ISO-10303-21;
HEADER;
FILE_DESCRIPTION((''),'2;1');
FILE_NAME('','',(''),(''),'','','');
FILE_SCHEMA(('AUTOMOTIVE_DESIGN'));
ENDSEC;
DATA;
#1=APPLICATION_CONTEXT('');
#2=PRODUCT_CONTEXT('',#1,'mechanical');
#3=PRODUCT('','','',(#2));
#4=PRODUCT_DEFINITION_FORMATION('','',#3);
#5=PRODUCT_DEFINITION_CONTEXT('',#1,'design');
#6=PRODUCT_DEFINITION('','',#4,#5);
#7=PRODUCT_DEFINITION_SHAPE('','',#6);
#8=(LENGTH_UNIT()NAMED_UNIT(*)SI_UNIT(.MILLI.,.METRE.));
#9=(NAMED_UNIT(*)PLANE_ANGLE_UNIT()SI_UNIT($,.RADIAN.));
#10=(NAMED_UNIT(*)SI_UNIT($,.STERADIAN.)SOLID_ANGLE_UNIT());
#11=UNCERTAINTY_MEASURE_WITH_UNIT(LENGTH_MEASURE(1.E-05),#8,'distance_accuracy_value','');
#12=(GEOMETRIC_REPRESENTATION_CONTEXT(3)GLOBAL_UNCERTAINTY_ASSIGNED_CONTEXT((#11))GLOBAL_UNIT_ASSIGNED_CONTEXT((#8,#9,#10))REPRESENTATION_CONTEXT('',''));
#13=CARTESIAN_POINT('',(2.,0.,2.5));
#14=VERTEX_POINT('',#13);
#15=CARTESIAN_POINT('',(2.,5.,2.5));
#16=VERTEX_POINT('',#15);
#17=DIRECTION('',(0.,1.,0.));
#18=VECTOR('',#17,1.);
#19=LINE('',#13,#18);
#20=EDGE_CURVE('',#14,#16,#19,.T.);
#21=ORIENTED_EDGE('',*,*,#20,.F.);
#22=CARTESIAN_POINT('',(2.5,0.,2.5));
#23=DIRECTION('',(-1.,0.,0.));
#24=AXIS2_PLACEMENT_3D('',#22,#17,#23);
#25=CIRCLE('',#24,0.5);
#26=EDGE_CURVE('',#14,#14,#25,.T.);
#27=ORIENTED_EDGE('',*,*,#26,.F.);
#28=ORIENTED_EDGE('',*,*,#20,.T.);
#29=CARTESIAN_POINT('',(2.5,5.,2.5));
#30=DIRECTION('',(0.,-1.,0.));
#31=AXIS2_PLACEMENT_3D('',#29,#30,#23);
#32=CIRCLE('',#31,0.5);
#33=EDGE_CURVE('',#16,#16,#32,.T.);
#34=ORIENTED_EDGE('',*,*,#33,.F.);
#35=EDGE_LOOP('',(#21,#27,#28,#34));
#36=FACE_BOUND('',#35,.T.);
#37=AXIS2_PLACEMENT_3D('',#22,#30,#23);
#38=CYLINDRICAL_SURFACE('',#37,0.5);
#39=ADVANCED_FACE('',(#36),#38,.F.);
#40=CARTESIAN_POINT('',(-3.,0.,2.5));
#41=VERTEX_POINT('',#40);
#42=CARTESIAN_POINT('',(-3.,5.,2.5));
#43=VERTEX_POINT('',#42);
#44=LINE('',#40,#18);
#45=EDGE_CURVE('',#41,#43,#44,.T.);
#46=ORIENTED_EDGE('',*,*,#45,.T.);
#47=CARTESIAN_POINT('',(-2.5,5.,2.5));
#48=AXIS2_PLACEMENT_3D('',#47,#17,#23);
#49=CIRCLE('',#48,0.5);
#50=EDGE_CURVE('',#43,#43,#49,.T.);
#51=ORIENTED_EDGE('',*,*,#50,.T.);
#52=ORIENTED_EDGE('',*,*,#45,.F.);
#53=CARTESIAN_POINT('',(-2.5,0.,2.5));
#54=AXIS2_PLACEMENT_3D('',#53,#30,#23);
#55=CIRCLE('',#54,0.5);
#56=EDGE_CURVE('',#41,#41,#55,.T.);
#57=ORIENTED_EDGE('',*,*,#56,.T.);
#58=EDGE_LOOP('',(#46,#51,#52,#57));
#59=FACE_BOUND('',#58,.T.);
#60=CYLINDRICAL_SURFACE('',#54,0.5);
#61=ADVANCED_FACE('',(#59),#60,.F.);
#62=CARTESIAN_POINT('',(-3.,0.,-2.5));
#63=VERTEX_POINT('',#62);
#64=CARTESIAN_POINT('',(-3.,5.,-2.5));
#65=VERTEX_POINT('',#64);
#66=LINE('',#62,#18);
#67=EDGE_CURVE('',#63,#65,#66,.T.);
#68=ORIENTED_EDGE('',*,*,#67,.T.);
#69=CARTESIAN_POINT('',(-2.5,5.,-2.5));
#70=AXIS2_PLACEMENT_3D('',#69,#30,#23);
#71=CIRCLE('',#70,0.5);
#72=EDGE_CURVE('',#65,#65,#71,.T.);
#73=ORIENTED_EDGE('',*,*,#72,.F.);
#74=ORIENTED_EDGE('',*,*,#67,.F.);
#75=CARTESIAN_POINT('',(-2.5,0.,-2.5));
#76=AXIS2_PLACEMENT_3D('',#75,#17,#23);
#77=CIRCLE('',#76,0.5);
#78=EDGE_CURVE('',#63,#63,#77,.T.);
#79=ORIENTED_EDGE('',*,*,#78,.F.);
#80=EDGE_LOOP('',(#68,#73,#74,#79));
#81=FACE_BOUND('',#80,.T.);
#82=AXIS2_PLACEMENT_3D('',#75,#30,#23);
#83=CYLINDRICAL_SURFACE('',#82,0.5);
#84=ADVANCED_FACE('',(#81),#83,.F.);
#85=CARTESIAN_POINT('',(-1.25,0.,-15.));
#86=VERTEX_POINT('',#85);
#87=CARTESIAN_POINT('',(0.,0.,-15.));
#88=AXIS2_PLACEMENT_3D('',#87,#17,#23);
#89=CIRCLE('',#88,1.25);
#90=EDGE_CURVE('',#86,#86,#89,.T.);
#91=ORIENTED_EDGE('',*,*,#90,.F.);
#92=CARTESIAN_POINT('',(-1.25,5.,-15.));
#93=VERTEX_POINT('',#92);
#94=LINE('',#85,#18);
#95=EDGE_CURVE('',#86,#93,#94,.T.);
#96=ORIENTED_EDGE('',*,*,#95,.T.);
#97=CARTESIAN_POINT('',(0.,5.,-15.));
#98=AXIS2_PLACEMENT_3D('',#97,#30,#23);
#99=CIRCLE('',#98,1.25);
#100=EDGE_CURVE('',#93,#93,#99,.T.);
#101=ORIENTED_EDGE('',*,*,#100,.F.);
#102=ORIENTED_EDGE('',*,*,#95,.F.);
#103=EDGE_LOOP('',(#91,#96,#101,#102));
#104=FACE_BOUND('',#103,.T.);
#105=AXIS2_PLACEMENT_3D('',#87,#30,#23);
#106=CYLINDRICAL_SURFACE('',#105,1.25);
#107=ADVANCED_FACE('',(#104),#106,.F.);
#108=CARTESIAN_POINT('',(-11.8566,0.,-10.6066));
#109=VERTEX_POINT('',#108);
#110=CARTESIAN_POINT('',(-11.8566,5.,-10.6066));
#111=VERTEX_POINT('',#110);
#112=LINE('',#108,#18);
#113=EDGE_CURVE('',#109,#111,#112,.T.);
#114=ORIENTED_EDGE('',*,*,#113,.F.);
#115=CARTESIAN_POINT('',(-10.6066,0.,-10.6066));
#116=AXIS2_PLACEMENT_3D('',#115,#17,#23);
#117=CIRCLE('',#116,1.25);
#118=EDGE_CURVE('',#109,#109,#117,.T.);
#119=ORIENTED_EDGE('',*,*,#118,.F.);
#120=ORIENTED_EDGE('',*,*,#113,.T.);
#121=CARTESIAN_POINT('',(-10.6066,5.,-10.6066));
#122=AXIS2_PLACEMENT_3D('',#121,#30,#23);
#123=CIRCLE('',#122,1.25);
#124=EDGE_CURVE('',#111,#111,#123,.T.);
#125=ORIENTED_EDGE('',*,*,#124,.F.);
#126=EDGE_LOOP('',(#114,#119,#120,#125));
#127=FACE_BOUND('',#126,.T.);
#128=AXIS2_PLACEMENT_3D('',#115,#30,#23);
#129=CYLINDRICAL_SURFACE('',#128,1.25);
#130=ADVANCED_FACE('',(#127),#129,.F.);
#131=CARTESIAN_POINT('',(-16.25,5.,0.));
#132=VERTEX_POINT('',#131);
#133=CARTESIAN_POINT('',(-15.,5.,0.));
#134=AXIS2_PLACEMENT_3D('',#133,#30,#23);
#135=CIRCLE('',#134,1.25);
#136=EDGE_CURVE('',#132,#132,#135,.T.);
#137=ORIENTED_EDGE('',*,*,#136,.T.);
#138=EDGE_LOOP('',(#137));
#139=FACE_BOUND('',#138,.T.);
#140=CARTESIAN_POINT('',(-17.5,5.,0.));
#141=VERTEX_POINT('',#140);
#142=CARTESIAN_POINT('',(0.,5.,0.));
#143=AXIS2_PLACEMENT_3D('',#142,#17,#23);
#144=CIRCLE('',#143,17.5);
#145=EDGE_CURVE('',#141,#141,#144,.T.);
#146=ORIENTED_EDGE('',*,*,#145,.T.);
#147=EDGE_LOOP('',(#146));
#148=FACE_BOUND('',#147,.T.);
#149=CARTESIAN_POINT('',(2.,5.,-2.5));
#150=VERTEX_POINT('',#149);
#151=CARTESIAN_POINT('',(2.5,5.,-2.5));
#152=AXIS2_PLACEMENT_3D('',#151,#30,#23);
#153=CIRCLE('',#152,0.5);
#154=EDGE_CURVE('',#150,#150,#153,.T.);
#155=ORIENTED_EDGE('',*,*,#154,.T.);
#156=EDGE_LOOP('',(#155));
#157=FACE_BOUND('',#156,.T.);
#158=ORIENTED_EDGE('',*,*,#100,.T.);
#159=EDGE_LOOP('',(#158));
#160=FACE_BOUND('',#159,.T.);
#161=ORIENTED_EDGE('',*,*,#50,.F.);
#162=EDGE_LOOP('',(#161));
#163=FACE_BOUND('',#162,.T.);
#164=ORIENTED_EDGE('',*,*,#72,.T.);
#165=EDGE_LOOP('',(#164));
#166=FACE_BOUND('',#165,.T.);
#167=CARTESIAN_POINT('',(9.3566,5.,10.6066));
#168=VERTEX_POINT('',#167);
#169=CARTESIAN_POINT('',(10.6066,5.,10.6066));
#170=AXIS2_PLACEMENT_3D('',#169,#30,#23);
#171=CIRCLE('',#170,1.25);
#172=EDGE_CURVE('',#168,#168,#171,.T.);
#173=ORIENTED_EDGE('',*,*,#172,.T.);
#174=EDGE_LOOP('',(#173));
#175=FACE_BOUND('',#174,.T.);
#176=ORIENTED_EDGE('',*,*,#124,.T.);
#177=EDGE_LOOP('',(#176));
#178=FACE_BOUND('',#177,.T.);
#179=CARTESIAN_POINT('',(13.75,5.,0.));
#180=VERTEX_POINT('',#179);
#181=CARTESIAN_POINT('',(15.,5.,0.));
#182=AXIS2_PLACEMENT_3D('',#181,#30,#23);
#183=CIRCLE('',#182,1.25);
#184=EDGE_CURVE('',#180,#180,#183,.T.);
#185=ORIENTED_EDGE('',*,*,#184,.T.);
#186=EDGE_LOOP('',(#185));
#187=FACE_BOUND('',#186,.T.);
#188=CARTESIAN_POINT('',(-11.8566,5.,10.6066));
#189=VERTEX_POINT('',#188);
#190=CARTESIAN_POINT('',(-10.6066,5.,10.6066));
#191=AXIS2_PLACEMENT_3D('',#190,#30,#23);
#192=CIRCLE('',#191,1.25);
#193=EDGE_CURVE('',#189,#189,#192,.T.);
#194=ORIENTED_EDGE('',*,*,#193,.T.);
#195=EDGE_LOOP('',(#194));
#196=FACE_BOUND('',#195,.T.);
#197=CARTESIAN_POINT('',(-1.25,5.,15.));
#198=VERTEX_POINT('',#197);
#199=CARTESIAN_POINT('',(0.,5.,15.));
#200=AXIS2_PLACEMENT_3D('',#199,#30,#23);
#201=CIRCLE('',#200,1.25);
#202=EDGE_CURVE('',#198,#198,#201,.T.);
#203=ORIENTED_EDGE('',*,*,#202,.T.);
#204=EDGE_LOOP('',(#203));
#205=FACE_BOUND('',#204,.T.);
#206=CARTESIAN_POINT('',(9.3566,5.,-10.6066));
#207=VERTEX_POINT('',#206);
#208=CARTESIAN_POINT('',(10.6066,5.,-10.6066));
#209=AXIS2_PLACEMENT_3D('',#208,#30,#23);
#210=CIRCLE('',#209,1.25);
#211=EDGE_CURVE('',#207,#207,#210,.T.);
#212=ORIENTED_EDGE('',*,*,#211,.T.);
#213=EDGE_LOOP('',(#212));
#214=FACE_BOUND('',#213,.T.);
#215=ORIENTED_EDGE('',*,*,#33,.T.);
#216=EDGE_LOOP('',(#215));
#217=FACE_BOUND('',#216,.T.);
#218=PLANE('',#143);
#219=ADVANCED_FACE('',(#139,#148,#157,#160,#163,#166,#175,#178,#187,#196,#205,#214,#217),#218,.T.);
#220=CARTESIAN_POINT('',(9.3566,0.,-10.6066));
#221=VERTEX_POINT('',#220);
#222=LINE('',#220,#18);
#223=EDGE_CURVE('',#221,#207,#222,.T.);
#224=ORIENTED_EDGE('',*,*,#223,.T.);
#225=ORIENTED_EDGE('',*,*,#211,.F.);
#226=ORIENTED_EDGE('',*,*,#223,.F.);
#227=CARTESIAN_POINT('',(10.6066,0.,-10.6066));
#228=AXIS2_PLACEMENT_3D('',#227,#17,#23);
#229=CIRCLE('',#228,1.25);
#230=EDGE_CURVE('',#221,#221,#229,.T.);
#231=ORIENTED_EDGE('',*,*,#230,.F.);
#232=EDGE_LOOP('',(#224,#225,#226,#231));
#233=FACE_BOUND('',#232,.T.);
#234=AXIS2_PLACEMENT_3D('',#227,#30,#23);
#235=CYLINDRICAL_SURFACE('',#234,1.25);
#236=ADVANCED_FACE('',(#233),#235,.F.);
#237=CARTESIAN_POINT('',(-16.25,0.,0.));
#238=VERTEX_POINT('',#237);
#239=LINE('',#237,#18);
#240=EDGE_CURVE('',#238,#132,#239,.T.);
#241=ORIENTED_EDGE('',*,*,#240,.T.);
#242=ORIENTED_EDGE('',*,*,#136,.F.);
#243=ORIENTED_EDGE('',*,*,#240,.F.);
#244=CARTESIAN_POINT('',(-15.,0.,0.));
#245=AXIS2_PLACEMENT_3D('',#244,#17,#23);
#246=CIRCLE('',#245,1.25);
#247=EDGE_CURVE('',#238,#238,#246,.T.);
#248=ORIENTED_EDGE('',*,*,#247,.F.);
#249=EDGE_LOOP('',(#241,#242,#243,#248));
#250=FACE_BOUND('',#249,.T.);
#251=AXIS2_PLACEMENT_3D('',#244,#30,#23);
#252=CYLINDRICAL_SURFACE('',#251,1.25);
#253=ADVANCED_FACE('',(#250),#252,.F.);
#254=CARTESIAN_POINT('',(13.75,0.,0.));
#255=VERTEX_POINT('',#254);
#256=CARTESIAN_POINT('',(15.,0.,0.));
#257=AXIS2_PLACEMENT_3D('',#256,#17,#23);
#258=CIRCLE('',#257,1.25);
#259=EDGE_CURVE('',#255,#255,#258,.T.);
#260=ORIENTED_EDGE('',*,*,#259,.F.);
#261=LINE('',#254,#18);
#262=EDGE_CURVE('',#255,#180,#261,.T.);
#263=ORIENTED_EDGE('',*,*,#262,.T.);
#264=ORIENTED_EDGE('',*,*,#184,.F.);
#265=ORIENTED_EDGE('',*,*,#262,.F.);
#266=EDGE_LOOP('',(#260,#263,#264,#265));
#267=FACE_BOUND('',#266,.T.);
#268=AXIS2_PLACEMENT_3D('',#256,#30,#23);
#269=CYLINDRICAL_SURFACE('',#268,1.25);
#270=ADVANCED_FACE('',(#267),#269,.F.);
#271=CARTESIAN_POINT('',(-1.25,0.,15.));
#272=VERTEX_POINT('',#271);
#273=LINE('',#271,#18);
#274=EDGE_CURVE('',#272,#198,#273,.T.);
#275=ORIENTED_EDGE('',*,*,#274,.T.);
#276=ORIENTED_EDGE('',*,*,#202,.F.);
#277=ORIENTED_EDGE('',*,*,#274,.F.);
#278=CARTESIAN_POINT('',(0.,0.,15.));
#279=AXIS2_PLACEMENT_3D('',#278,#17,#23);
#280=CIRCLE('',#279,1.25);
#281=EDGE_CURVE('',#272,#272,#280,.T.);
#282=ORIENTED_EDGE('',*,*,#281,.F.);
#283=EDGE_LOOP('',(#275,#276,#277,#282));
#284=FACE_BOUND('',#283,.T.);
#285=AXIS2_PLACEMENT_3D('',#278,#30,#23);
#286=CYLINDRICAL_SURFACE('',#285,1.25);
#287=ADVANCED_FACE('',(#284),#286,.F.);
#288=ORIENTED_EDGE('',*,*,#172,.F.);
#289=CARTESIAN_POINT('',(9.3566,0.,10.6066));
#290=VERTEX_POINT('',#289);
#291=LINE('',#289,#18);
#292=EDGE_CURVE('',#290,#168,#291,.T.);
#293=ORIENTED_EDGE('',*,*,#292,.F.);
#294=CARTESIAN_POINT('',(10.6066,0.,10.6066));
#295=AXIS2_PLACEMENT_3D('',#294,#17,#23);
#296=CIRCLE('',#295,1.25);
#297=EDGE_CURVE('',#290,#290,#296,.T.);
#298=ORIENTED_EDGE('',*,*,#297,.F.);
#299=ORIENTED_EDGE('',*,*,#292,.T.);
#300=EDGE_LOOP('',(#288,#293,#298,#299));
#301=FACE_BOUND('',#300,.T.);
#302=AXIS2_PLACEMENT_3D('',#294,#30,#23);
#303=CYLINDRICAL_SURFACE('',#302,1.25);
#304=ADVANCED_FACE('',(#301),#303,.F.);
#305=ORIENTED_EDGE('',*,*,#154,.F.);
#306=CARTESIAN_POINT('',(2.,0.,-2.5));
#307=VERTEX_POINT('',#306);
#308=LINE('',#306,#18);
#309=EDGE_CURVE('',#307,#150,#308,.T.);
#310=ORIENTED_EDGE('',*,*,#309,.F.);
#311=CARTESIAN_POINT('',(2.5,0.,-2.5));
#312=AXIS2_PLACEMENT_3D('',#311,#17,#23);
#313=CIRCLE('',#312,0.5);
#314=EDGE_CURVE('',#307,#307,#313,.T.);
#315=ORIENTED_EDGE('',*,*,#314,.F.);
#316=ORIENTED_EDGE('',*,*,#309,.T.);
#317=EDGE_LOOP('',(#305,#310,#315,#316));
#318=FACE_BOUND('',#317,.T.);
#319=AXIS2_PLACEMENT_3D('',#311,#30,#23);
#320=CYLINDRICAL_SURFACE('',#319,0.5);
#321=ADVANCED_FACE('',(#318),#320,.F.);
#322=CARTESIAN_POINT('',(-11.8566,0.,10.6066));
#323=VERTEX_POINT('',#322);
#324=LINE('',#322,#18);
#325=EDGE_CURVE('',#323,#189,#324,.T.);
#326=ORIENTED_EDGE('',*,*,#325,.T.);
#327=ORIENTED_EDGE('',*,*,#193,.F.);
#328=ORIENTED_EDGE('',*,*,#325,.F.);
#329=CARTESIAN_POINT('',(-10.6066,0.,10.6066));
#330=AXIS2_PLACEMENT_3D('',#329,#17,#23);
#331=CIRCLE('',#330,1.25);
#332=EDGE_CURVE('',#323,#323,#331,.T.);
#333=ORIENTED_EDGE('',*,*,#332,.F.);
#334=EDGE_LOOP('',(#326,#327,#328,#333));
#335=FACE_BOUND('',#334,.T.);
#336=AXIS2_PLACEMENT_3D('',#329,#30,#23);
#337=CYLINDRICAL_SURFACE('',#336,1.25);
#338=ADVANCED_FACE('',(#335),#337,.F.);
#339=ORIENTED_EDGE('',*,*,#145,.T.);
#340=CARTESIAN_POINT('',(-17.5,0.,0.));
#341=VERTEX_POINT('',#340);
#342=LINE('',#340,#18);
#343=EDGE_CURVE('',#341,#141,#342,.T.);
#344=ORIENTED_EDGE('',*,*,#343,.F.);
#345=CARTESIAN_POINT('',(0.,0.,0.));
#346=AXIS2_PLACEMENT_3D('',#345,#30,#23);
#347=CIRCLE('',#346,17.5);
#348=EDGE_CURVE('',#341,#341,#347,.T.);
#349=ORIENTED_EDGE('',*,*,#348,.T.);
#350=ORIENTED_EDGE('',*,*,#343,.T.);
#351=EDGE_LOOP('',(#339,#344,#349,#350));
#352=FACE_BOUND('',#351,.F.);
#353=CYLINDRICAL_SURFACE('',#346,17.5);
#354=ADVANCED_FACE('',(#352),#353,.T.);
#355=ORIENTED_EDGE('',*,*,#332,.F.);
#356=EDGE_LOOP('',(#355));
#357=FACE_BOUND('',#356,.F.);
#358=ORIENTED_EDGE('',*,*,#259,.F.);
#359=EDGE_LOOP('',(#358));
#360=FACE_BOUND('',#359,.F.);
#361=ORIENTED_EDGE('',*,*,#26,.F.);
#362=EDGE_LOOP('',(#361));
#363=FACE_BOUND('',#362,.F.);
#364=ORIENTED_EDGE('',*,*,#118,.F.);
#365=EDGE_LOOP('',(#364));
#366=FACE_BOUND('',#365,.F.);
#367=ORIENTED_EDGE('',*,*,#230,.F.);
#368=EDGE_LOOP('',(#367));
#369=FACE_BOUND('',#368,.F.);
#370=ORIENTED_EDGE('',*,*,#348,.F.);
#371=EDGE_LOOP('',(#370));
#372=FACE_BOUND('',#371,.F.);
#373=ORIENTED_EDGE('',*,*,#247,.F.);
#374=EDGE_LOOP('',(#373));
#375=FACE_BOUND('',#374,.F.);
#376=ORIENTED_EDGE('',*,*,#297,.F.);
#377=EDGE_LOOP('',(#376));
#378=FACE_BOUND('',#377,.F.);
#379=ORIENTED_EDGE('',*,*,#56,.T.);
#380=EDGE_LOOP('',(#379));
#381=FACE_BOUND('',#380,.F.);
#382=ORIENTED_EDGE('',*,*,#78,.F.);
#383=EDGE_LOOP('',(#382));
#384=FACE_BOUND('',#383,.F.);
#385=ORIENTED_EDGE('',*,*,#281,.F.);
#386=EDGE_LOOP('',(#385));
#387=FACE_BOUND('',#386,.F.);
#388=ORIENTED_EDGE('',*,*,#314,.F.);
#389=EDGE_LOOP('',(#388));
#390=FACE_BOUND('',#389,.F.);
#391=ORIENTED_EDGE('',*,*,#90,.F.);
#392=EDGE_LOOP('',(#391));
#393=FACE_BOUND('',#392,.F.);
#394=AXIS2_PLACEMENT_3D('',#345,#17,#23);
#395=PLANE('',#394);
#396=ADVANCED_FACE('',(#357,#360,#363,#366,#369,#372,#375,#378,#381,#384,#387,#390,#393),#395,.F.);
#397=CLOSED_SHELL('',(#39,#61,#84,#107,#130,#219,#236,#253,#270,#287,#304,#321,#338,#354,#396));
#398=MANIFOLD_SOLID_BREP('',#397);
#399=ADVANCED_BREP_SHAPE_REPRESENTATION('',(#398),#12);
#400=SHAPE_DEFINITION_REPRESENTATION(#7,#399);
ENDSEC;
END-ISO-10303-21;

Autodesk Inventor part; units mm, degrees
ref_plane "YZ Plane" through (0, 0, 0) normal (1, 0, 0) x (0, 1, 0)
ref_plane "XZ Plane" through (0, 0, 0) normal (0, 1, 0) x (-1, 0, 0)
ref_plane "XY Plane" through (0, 0, 0) normal (0, 0, 1) x (1, 0, 0)
sketch "Szkic1" plane through (0, 0, 0) normal (0, 1, 0) x (-1, 0, 0)
  circle A0 centre (0, 0) radius 10
  circle A1 centre (0, 0) radius 17.5
  line L0 (0, 17.5) -> (0, -17.5)
  line L1 (-17.5, 0) -> (17.5, 0)
  circle A2 centre (2.5, 2.5) radius 0.5
  circle A3 centre (2.5, -2.5) radius 0.5
  circle A4 centre (-2.5, 2.5) radius 0.5
  circle A5 centre (-2.5, -2.5) radius 0.5
  circle A6 centre (0, 15) radius 1.25
  circle A7 centre (0, -15) radius 1.25
  circle A8 centre (15, 0) radius 1.25
  circle A9 centre (-15, 0) radius 1.25
  line L2 (-2.5, -2.5) -> (-12.3744, -12.3744)
  line L3 (2.5, 2.5) -> (12.3744, 12.3744)
  line L4 (2.5, -2.5) -> (12.3744, -12.3744)
  line L5 (-2.5, 2.5) -> (-12.3744, 12.3744)
  circle A10 centre (10.6066, 10.6066) radius 1.25
  circle A11 centre (-10.6066, -10.6066) radius 1.25
  line L6 (-2.5, 2.5) -> (2.5, -2.5)
  line L7 (2.5, 2.5) -> (-2.5, -2.5)
  circle A12 centre (-10.6066, 10.6066) radius 1.25
  circle A13 centre (10.6066, -10.6066) radius 1.25
  dimension "d1" = 35
  dimension "d0" = 20
  dimension "d2" = 1
  dimension "d3" = 5
  dimension "d4" = 5
  dimension "d5" = 30
  dimension "d6" = 2.5
  dimension "d7" = 30
  dimension "d8" = 2.5
  dimension "d9" = 2.5
  dimension "d11" = 21.2132
extrude "Wyciągnięcie proste1" add sketch "Szkic1" along normal blind 5 contours L1 L7 A2 L3 A0 | L1 A8 A1 L4 A13 A0 | A0 L4 A3 L6 L1 | A0 L3 A10 A1 L1 A8 | L3 A2 L7 L0 A0 | A0 L0 A6 A1 L3 A10 | L4 A13 A1 L0 A7 A0 | A0 L0 L6 A3 L4 | L6 A4 L5 A0 L0 | L7 A5 L2 A0 L1 | L1 A0 L5 A4 L6 | L0 A0 L2 A5 L7 | A0 L5 A12 A1 L0 A6 | L0 A7 A1 L2 A11 A0 | L1 A9 A1 L5 A12 A0 | A0 L2 A11 A1 L1 A9
properties part number "szkic doormy"
